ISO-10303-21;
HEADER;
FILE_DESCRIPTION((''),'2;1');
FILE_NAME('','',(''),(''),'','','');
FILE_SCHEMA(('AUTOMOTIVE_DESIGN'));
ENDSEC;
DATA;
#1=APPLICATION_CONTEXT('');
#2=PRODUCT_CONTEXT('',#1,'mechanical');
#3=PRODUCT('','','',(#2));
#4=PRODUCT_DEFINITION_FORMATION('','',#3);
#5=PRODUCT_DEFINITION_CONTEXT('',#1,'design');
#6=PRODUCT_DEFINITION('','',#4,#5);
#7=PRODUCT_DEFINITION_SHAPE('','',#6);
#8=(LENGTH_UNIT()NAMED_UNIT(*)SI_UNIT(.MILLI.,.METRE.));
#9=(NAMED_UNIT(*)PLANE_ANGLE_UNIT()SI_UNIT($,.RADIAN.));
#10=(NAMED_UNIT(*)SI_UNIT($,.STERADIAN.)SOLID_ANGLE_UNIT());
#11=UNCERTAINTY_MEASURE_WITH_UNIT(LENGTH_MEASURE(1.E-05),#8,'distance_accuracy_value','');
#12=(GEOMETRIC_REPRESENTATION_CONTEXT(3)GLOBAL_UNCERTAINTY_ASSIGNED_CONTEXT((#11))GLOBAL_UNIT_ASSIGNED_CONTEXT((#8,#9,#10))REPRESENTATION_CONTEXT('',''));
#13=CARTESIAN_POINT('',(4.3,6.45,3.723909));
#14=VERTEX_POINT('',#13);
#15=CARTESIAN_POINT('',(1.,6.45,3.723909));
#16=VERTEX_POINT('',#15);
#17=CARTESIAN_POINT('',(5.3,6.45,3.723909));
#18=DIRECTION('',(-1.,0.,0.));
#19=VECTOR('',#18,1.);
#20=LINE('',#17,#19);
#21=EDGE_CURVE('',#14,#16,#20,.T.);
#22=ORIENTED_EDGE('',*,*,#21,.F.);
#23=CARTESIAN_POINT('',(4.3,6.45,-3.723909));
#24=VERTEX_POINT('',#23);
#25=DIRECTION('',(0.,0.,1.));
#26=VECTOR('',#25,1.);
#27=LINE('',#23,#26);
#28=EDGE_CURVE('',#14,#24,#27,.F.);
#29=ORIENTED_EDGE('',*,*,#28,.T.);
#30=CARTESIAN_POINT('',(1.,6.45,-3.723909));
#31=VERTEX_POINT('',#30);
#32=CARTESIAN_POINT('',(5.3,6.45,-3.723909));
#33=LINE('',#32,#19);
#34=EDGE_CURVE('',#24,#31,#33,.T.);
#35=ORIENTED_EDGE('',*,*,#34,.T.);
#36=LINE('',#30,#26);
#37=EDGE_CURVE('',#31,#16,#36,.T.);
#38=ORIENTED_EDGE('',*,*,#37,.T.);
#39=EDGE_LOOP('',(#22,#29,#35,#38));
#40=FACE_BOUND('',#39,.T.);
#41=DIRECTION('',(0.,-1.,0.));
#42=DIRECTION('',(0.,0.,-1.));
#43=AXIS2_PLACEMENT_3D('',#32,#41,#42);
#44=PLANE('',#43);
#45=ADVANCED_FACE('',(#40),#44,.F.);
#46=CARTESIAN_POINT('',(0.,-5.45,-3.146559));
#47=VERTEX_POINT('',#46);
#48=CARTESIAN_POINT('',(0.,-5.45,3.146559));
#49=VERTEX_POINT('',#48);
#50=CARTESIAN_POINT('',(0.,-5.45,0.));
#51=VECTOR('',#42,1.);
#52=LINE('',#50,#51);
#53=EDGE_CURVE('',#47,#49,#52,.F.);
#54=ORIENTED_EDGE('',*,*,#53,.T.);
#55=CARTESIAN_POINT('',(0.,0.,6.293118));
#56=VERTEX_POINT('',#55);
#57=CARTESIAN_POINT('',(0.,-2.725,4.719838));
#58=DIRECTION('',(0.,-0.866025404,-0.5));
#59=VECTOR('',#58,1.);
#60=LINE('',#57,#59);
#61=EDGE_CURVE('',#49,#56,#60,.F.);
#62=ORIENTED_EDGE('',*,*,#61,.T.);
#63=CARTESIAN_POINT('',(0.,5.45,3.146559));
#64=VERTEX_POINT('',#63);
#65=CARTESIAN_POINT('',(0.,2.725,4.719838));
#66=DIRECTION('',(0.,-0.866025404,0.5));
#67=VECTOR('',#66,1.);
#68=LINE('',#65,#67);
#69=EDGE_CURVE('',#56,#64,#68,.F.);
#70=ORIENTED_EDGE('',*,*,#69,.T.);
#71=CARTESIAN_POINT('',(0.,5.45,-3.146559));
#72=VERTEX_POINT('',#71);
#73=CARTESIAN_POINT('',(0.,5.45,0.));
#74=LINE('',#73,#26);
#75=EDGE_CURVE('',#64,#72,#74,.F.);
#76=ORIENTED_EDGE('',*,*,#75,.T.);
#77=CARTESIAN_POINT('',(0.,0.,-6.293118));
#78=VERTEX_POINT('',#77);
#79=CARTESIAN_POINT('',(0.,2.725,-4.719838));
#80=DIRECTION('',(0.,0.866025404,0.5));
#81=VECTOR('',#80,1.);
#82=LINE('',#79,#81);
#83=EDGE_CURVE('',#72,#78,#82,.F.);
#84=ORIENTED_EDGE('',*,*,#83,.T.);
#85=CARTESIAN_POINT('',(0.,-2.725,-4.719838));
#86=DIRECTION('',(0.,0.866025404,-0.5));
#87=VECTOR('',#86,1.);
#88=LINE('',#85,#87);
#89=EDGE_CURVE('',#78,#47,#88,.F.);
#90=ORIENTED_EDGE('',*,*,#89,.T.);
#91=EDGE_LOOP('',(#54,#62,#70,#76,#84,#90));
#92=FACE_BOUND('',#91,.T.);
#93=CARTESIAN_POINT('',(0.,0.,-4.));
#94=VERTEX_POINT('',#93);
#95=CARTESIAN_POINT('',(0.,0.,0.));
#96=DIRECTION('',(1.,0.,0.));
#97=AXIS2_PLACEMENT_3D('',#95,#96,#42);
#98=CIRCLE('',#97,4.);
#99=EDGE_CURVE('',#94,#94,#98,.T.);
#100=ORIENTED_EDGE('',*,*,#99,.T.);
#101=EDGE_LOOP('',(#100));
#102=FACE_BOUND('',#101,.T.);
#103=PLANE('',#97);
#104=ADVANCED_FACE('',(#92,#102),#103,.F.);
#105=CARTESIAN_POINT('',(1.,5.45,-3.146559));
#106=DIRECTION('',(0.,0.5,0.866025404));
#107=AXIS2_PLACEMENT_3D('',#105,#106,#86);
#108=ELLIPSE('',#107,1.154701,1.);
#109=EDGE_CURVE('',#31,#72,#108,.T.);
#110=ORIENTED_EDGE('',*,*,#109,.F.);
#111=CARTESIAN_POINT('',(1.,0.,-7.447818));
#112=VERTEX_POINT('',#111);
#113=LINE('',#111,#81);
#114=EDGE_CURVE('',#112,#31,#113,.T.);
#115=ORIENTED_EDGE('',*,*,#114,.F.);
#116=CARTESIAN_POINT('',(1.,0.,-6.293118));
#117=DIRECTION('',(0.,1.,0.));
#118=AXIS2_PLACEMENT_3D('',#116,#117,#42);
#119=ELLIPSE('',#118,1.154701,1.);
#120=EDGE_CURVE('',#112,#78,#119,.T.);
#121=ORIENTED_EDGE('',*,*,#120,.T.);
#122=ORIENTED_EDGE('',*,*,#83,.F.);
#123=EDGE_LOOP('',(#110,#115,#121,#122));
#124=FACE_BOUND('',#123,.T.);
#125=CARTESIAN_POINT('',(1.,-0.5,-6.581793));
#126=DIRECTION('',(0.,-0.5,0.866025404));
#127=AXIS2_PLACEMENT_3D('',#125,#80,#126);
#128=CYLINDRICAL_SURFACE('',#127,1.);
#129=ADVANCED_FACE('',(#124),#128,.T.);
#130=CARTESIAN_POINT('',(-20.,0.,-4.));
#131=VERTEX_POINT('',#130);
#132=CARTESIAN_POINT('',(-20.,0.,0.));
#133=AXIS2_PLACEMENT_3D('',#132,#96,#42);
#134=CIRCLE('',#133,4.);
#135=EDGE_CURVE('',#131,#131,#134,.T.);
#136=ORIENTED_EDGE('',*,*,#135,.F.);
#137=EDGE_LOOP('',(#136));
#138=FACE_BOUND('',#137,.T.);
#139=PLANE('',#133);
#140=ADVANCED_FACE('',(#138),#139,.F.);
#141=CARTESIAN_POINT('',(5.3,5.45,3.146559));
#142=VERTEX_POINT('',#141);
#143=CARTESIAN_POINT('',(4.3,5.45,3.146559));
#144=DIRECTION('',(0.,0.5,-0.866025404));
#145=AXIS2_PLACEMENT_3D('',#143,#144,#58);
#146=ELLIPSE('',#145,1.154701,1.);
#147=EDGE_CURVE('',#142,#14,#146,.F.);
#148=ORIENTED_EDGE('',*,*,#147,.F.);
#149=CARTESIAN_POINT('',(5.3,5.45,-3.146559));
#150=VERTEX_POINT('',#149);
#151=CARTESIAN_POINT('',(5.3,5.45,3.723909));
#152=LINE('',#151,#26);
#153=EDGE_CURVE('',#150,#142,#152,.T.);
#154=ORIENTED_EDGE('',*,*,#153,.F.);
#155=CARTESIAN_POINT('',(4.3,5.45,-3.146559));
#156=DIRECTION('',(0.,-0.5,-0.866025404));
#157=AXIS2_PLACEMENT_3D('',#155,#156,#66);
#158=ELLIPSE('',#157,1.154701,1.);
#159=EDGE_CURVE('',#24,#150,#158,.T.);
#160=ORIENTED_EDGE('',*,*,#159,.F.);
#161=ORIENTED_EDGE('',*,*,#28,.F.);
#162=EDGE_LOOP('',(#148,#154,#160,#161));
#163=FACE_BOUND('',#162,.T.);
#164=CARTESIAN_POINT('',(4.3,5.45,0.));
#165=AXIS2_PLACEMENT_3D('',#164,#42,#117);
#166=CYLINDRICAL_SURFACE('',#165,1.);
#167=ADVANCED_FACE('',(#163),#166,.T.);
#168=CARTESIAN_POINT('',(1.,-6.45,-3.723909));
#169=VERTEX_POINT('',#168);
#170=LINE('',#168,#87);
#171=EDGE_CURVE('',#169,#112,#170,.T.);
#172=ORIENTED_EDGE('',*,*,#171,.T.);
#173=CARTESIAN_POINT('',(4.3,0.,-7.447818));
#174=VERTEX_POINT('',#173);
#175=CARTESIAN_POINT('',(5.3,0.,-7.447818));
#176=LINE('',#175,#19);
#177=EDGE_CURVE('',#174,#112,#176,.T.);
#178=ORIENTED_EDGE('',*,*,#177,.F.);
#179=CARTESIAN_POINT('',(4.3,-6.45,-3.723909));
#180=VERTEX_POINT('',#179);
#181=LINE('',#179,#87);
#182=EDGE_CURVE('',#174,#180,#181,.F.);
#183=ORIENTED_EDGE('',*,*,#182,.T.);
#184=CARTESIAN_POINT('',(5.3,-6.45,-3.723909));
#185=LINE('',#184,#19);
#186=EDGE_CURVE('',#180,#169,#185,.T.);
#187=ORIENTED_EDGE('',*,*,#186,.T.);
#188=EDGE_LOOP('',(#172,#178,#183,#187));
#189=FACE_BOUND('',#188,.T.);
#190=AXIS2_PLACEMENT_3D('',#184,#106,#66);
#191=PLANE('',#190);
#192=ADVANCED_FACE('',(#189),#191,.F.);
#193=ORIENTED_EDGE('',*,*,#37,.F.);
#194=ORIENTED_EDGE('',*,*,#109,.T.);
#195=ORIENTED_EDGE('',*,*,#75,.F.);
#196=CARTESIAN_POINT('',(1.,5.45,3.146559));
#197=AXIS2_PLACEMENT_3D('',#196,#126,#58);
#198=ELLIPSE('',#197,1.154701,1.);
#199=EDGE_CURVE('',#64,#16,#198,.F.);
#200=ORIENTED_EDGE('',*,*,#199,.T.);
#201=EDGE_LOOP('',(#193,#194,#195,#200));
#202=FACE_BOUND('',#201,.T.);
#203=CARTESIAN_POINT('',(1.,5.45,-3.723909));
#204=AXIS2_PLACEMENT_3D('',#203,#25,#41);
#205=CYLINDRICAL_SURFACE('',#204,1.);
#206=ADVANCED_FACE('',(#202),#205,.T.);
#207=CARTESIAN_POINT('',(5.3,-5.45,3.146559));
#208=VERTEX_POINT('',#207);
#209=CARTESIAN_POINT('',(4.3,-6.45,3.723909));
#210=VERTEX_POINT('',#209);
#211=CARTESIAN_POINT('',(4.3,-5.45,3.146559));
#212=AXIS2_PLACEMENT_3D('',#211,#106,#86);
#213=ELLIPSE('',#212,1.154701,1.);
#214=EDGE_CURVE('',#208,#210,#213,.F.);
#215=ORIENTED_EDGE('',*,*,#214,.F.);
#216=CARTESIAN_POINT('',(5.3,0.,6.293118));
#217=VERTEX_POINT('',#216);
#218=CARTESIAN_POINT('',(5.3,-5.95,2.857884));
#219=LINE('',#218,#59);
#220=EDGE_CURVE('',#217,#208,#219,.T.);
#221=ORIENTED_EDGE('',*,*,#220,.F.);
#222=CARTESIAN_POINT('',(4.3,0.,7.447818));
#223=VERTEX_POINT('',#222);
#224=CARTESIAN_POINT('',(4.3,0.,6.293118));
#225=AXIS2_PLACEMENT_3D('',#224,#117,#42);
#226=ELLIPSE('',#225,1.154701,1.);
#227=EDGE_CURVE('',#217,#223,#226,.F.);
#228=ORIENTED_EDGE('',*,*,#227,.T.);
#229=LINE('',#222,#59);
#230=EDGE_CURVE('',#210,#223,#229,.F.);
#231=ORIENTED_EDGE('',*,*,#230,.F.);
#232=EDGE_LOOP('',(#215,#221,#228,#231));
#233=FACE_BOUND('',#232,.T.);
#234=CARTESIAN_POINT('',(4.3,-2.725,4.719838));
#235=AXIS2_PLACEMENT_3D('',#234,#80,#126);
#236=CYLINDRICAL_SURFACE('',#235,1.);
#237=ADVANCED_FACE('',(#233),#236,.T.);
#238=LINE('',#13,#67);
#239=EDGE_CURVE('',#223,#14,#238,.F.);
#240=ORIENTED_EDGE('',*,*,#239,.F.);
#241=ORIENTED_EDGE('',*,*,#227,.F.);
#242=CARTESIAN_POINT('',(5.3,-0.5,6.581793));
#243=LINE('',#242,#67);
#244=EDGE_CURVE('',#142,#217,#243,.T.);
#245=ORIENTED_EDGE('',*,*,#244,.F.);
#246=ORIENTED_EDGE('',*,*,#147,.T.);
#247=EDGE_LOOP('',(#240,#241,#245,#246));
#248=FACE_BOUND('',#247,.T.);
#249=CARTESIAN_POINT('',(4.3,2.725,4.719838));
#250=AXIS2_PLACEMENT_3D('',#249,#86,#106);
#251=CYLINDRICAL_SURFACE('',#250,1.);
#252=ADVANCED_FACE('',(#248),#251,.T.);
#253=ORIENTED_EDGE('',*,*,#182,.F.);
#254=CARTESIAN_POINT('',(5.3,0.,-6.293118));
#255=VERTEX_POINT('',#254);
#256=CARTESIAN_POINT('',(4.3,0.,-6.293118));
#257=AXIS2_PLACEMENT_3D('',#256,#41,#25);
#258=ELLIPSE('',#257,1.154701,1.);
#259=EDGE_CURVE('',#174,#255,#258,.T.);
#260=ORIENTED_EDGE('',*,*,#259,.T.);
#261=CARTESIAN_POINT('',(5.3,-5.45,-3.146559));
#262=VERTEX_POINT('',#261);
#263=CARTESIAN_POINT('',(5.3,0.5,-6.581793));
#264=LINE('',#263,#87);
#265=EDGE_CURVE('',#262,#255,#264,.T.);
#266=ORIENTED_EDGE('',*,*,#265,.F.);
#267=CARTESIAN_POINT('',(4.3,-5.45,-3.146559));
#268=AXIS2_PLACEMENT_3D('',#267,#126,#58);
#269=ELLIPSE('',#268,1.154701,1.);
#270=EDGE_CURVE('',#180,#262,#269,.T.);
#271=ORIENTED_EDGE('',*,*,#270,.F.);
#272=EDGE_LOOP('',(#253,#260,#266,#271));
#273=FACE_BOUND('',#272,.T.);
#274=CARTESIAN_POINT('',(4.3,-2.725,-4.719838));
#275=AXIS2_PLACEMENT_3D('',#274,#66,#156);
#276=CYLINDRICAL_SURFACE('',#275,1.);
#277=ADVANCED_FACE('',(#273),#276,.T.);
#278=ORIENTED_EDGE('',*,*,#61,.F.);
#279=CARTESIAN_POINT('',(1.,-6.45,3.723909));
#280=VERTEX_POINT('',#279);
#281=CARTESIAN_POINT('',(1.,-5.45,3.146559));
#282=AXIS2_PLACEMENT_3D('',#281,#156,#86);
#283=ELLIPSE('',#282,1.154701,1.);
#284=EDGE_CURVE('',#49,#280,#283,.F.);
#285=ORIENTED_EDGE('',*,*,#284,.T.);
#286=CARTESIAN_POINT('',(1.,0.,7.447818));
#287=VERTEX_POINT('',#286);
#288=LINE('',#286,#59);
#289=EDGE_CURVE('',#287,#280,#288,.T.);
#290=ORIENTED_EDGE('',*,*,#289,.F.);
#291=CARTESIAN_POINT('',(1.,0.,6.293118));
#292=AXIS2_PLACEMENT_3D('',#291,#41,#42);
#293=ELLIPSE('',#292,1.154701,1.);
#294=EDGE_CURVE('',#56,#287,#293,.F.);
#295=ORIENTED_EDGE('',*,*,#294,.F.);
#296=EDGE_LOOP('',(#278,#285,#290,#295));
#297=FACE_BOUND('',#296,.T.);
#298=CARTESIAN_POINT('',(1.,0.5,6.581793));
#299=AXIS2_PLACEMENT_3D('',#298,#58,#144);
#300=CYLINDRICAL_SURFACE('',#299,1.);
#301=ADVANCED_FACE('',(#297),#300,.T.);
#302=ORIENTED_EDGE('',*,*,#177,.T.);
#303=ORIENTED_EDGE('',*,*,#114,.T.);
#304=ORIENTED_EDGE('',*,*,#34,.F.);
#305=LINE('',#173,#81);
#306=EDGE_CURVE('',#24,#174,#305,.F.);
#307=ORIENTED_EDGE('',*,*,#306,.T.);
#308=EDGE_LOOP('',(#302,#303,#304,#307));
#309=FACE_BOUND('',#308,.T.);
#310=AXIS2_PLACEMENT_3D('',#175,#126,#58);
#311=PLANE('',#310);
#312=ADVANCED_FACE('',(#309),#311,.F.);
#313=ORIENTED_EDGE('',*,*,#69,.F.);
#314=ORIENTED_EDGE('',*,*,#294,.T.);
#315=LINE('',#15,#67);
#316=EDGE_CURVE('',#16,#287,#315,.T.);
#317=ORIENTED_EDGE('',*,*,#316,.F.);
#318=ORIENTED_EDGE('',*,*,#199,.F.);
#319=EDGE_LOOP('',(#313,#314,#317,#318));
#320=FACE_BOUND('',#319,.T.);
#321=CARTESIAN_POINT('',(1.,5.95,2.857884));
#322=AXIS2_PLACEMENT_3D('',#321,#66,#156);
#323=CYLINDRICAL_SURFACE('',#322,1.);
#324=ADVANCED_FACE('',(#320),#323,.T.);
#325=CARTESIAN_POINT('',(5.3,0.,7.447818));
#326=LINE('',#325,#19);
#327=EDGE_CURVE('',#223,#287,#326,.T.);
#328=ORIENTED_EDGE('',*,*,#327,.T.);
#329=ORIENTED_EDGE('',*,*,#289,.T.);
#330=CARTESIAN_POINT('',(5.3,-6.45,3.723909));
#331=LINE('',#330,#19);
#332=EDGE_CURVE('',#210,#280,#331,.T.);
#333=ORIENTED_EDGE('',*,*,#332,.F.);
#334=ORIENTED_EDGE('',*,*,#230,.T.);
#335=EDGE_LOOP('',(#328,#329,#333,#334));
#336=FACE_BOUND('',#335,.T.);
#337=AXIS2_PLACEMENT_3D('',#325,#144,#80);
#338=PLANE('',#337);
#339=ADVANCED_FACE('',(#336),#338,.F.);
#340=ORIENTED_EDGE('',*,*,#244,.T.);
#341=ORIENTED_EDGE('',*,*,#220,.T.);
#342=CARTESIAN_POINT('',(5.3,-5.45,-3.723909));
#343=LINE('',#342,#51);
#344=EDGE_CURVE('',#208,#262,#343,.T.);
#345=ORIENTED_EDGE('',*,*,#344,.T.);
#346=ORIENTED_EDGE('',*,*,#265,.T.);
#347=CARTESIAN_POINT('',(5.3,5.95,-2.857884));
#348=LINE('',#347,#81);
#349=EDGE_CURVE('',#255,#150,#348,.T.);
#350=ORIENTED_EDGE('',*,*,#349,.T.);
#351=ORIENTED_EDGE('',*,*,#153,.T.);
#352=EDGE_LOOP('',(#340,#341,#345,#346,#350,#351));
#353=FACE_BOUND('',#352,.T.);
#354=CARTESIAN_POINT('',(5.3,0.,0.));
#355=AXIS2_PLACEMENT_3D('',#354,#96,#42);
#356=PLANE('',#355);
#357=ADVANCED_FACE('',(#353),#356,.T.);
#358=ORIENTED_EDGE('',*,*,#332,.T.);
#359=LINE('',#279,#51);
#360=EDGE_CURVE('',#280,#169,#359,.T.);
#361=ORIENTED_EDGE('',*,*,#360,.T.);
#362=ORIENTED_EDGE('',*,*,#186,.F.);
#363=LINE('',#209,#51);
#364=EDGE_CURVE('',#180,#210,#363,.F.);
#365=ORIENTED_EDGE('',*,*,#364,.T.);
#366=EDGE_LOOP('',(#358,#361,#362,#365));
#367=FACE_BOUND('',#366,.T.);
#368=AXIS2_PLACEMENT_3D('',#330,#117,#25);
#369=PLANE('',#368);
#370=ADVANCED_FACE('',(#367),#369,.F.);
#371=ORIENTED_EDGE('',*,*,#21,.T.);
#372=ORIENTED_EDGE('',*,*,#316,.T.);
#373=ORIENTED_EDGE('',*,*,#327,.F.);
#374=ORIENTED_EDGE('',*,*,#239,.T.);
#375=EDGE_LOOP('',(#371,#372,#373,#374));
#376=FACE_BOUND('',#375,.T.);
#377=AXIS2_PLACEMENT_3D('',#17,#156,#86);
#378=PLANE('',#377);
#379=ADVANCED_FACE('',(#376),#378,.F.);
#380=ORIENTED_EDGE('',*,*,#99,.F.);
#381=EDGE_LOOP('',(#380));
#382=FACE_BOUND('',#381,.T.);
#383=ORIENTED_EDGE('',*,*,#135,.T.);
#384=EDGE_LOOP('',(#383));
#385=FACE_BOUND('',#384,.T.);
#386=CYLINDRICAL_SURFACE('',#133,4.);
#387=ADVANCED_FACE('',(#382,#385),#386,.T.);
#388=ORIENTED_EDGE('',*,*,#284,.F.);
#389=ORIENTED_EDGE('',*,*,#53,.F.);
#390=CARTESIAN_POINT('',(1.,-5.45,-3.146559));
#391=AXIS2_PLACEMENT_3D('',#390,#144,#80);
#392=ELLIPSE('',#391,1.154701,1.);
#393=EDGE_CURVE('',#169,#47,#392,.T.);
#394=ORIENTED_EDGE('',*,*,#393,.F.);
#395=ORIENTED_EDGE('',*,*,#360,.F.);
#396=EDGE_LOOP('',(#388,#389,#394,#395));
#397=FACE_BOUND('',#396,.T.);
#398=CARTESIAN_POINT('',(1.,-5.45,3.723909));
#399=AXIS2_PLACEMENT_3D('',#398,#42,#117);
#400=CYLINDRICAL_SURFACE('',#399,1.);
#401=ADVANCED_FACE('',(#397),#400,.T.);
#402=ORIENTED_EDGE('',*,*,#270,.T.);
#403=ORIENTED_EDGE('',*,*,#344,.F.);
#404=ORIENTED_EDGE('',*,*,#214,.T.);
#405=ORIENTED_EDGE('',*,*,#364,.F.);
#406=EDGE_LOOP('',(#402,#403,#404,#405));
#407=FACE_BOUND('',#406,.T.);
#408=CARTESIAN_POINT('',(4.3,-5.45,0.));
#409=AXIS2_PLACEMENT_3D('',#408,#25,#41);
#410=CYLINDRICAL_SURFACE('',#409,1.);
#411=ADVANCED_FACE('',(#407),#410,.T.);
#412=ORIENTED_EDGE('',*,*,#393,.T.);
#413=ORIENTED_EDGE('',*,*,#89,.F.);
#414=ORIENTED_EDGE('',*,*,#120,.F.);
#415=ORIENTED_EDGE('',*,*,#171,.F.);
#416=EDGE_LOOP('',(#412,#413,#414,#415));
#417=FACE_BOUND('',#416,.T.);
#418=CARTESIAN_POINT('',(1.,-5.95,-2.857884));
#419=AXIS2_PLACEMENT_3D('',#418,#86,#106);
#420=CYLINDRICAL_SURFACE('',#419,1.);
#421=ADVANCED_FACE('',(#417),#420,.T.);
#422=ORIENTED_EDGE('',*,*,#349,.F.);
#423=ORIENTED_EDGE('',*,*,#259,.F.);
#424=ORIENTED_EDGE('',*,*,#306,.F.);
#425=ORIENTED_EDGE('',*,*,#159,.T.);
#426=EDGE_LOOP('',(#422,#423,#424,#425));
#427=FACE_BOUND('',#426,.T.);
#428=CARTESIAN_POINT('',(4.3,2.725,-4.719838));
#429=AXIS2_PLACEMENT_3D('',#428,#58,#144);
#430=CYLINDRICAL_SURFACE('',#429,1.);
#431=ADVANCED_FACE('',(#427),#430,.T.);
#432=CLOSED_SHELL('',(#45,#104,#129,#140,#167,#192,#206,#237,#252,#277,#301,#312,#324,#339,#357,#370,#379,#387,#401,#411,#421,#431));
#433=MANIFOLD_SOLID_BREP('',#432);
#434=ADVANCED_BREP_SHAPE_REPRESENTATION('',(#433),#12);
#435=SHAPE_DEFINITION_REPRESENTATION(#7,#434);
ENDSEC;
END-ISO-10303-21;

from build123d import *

# Parameters (mm, degrees)
BOSS_EXTRUDE1_DEPTH = 5.3
SKETCH2_R           = 4
BOSS_EXTRUDE2_DEPTH = 20
FILLET1_R           = 1


with BuildPart() as part:
    # Sketch1 → Boss-Extrude1 (new body)
    with BuildSketch(Plane(origin=(0, 0, 0), x_dir=(0, 0, -1), z_dir=(1, 0, 0))):
        Polygon((-3.723909236, 6.45), (-7.447818473, 0), (-3.723909236, -6.45), (3.723909236, -6.45), (7.447818473, 0), (3.723909236, 6.45), align=None)
    extrude(amount=BOSS_EXTRUDE1_DEPTH)

    # Sketch2 → Boss-Extrude2 (add)
    with BuildSketch(Plane(origin=(0, 0, 0), x_dir=(0, 0, -1), z_dir=(1, 0, 0))):
        Circle(SKETCH2_R)
    extrude(amount=-BOSS_EXTRUDE2_DEPTH)

    # Fillet1
    fillet1_edges = [part.edges().sort_by_distance(p)[0] for p in [
        (5.3, -3.225, 5.585863854),
        (5.3, -6.45, 0),
        (5.3, -3.225, -5.585863854),
        (5.3, 3.225, -5.585863854),
        (5.3, 6.45, 0),
        (0, 3.225, -5.585863854),
        (0, -3.225, -5.585863854),
        (0, -6.45, 0),
        (0, -3.225, 5.585863854),
        (0, 3.225, 5.585863854),
        (0, 6.45, 0),
        (5.3, 3.225, 5.585863854),
    ]]
    fillet(fillet1_edges, radius=FILLET1_R)


solid = part.part
